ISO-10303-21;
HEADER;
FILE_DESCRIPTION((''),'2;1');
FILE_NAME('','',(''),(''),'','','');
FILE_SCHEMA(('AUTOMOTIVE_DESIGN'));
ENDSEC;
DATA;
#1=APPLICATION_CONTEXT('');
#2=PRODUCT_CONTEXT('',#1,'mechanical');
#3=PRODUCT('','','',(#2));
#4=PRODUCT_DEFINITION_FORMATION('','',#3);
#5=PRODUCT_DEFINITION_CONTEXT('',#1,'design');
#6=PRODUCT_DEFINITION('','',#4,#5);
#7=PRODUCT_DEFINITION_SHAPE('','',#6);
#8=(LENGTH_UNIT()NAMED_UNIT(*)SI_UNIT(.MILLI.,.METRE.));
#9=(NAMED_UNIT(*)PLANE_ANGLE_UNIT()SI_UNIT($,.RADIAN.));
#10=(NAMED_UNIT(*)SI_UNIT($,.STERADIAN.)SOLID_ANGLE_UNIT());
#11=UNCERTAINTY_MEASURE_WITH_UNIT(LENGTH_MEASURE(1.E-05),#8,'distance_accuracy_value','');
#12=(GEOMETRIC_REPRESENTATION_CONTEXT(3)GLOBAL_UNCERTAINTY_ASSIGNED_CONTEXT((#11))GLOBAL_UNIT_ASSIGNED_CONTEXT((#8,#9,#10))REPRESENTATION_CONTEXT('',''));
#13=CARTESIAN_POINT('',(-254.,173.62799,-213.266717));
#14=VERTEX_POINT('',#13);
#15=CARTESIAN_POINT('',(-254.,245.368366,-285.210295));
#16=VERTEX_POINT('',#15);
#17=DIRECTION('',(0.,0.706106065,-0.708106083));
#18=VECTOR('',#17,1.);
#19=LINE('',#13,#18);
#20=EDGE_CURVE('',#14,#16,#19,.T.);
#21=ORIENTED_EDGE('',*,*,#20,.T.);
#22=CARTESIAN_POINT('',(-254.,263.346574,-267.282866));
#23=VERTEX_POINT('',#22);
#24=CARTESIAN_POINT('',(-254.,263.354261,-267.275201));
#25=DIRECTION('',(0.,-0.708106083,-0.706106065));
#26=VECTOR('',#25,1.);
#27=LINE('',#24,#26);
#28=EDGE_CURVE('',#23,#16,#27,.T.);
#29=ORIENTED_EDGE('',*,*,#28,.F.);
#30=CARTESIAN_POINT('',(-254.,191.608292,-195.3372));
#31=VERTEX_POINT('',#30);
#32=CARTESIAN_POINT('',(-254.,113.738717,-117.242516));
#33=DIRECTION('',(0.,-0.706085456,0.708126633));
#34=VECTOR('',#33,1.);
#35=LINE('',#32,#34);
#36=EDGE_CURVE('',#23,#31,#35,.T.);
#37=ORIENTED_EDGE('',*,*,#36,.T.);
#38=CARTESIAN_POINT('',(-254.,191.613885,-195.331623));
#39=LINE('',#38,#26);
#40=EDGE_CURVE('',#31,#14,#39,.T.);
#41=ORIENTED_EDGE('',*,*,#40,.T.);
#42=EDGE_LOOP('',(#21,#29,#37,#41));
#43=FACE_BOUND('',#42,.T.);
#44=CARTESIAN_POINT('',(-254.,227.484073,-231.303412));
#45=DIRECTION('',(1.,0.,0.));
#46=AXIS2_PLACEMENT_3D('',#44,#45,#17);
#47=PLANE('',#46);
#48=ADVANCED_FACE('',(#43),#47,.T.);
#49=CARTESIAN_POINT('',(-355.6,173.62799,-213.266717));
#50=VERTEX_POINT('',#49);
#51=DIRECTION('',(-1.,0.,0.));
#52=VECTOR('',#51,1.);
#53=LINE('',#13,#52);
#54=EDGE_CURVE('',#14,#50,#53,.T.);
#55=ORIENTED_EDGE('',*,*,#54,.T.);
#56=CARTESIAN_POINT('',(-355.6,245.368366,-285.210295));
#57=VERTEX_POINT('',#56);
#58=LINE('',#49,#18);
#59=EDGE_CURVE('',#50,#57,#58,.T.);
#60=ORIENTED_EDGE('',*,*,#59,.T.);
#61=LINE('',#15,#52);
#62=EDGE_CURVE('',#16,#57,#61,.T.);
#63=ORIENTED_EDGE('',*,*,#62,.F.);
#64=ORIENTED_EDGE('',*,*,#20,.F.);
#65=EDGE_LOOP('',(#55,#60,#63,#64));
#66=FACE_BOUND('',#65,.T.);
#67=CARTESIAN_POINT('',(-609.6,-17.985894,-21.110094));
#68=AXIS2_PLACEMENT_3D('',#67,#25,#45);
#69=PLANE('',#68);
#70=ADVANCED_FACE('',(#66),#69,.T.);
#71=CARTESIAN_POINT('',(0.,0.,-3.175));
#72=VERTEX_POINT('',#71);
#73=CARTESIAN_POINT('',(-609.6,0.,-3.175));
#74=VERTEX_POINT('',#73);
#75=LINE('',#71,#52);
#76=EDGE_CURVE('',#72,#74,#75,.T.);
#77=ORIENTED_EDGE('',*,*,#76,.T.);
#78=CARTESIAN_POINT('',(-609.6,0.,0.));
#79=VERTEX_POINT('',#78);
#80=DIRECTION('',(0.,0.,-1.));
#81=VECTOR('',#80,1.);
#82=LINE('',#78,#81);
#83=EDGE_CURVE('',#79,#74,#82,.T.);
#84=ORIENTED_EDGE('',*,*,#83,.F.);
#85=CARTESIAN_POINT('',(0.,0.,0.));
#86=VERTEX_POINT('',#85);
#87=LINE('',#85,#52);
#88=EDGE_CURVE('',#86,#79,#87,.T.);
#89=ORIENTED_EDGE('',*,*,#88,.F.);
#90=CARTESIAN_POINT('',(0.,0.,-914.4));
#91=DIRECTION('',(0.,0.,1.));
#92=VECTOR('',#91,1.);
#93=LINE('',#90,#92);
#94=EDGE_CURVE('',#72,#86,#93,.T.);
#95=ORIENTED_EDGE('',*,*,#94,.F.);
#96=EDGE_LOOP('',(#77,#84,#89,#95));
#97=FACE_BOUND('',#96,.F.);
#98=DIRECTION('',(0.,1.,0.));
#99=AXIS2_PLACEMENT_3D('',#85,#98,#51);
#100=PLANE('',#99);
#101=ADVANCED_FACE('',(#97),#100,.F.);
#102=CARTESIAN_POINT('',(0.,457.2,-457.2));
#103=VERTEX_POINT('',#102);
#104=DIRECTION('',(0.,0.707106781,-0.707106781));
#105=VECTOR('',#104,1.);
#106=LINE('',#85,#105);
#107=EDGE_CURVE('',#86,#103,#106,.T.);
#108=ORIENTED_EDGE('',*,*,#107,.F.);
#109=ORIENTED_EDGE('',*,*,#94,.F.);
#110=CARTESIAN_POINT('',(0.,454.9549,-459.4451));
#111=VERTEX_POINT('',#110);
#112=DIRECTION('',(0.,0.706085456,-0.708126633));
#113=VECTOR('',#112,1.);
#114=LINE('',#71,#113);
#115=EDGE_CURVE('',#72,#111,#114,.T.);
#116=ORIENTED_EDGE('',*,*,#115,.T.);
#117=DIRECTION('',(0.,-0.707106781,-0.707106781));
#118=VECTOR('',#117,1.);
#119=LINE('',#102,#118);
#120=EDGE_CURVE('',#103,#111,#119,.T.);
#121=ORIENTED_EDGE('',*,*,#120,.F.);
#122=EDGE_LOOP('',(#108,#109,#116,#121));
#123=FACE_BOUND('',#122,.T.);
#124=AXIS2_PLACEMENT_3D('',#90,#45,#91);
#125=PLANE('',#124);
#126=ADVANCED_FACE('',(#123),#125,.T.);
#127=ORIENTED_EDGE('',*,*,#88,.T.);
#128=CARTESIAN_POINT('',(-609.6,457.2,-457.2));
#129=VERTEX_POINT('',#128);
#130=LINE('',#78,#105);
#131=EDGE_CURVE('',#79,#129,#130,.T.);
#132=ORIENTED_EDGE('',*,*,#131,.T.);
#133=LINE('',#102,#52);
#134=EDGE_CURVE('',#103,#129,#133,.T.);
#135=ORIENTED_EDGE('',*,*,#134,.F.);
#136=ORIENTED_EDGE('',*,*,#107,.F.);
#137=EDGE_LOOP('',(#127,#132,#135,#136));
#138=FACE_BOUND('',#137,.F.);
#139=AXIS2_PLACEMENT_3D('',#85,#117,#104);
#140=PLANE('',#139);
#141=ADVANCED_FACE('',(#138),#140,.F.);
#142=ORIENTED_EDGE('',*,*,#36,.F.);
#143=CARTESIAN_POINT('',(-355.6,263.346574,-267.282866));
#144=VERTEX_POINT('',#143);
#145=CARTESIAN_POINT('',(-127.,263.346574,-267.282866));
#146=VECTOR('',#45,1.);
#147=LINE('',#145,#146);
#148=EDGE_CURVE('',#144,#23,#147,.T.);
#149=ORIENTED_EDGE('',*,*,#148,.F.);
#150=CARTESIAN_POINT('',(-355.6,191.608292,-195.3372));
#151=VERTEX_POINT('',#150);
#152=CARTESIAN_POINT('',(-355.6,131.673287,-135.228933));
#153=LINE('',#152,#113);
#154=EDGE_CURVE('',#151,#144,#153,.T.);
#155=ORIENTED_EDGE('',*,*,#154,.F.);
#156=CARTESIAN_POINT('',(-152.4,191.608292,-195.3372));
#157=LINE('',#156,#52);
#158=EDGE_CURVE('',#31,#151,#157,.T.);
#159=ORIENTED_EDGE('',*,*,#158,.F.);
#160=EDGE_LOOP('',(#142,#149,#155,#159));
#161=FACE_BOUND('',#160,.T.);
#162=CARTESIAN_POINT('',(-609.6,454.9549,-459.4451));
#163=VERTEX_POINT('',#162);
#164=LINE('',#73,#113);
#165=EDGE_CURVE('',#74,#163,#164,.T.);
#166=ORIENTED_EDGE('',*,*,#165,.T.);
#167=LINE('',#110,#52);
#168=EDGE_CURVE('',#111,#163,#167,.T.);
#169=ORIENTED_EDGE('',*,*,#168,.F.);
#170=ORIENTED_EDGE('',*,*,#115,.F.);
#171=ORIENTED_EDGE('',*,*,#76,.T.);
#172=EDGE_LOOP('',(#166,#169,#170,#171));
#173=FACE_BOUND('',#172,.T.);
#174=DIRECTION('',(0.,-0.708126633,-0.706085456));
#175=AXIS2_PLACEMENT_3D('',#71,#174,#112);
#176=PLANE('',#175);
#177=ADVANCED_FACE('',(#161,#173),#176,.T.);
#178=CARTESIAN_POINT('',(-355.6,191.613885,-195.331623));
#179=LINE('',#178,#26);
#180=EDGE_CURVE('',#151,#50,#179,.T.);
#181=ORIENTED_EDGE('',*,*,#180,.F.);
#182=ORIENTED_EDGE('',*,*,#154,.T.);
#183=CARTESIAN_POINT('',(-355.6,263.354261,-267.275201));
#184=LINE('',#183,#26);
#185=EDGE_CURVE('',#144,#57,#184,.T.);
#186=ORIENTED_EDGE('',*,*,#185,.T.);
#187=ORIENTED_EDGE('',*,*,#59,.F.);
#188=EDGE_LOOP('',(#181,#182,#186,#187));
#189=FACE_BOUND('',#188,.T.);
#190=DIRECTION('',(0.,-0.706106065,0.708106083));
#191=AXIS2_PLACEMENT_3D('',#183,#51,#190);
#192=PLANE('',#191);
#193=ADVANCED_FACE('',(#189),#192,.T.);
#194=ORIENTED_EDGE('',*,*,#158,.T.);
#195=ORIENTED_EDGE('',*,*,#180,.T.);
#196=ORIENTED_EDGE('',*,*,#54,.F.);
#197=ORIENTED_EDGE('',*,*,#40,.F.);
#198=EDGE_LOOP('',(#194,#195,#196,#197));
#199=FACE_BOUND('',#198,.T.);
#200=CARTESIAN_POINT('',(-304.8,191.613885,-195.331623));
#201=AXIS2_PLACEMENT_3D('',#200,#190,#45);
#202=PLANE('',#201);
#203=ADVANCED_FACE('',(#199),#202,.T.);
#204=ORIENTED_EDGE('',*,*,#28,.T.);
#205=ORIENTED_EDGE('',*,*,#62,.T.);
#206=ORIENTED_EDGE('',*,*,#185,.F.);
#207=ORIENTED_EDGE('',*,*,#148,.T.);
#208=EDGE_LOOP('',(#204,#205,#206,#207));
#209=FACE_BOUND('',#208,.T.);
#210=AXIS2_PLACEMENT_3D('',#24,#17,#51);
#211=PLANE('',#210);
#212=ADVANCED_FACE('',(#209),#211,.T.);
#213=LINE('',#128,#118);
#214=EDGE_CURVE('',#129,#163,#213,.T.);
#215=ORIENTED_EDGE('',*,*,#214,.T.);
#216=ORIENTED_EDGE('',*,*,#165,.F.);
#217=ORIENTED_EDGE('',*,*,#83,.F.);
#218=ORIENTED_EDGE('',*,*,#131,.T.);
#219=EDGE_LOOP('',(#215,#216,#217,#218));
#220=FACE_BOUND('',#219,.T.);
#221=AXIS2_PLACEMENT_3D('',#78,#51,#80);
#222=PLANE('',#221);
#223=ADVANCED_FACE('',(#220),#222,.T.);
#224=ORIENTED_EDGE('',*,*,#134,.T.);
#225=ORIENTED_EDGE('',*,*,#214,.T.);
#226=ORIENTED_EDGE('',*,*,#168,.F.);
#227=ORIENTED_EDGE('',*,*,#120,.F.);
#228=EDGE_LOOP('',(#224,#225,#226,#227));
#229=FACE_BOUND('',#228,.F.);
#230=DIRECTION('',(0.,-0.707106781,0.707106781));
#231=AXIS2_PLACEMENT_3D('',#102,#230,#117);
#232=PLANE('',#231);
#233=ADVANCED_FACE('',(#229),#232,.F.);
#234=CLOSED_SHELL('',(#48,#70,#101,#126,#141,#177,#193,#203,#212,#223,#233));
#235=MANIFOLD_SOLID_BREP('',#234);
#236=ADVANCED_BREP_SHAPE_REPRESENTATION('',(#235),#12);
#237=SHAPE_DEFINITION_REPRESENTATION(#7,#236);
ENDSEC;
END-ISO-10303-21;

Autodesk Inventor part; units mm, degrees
ref_plane "YZ Plane" through (0, 0, 0) normal (1, 0, 0) x (0, 1, 0)
ref_plane "XZ Plane" through (0, 0, 0) normal (0, 1, 0) x (-1, 0, 0)
ref_plane "XY Plane" through (0, 0, 0) normal (0, 0, 1) x (1, 0, 0)
sketch "Sketch6" plane through (0, 0, 0) normal (0, 1, 0) x (-1, 0, 0)
  line L0 (0, 0) -> (609.6, 0)
  line L1 (609.6, 0) -> (609.6, -914.4)
  line L2 (609.6, -914.4) -> (0, -914.4)
  line L3 (0, -914.4) -> (0, 0)
  dimension "d21" = 609.6
  dimension "d22" = 914.4
extrude "Extrusion6" add sketch "Sketch6" along normal blind 609.6
sketch "Sketch8" plane through (0, 0, 0) normal (1, 0, 0) x (0, 0, -1)
  line L0 (0, 609.6) -> (914.4, 609.6) projected
  line L1 (0, 0) -> (457.2, 0) construction
  line L2 (0, 0) -> (457.2, 457.2)
  line L3 (0, 0) -> (646.5784, 0) construction
  line L4 (457.2, 457.2) -> (914.4, 0)
  line L5 (457.2, 457.2) -> (459.4451, 454.9549)
  line L6 (0, 0) -> (3.175, 0)
  line L7 (3.175, 0) -> (459.4451, 454.9549)
  dimension "d29" = 45
  dimension "d30" = 3.175
  dimension "d31" = 3.175
extrude "Extrusion7" cut sketch "Sketch8" against normal blind 609.6 keep common part
sketch "Sketch10" plane through (-609.6, 0, -3.175) normal (0, -0.7081, -0.7061) x (1, 0, 0)
  line L0 (609.6, -644.334) -> (609.6, 0) projected
  line L1 (609.6, 0) -> (0, 0) projected
  line L2 (0, 0) -> (0, -644.334) projected
  line L3 (609.6, -644.334) -> (0, -644.334) projected
  line L4 (609.6, -644.3295) -> (0, -644.3295) projected
  line L5 (304.8, -644.3295) -> (304.8, 2.2483)
  line L6 (609.6, 2.2483) -> (0, 2.2483) projected
  line L7 (609.6, -322.167) -> (0, -322.167)
  line L8 (254, -271.367) -> (355.6, -271.367)
  line L9 (355.6, -271.367) -> (355.6, -372.967)
  line L10 (355.6, -372.967) -> (254, -372.967)
  line L11 (254, -372.967) -> (254, -271.367)
  line L12 (254, -271.367) -> (355.6, -372.967) construction
  line L13 (355.6, -271.367) -> (254, -372.967) construction
  point P0 (304.8, -322.167)
  dimension "d37" = 101.6
  dimension "d38" = 101.6
extrude "Extrusion8" add sketch "Sketch10" along normal blind 25.4 contours L9 L10 L5 L7 | L7 L5 L8 L9 | L10 L11 L7 L5 | L7 L11 L8 L5
properties part number "BackV1" material "Aluminum 6061"
